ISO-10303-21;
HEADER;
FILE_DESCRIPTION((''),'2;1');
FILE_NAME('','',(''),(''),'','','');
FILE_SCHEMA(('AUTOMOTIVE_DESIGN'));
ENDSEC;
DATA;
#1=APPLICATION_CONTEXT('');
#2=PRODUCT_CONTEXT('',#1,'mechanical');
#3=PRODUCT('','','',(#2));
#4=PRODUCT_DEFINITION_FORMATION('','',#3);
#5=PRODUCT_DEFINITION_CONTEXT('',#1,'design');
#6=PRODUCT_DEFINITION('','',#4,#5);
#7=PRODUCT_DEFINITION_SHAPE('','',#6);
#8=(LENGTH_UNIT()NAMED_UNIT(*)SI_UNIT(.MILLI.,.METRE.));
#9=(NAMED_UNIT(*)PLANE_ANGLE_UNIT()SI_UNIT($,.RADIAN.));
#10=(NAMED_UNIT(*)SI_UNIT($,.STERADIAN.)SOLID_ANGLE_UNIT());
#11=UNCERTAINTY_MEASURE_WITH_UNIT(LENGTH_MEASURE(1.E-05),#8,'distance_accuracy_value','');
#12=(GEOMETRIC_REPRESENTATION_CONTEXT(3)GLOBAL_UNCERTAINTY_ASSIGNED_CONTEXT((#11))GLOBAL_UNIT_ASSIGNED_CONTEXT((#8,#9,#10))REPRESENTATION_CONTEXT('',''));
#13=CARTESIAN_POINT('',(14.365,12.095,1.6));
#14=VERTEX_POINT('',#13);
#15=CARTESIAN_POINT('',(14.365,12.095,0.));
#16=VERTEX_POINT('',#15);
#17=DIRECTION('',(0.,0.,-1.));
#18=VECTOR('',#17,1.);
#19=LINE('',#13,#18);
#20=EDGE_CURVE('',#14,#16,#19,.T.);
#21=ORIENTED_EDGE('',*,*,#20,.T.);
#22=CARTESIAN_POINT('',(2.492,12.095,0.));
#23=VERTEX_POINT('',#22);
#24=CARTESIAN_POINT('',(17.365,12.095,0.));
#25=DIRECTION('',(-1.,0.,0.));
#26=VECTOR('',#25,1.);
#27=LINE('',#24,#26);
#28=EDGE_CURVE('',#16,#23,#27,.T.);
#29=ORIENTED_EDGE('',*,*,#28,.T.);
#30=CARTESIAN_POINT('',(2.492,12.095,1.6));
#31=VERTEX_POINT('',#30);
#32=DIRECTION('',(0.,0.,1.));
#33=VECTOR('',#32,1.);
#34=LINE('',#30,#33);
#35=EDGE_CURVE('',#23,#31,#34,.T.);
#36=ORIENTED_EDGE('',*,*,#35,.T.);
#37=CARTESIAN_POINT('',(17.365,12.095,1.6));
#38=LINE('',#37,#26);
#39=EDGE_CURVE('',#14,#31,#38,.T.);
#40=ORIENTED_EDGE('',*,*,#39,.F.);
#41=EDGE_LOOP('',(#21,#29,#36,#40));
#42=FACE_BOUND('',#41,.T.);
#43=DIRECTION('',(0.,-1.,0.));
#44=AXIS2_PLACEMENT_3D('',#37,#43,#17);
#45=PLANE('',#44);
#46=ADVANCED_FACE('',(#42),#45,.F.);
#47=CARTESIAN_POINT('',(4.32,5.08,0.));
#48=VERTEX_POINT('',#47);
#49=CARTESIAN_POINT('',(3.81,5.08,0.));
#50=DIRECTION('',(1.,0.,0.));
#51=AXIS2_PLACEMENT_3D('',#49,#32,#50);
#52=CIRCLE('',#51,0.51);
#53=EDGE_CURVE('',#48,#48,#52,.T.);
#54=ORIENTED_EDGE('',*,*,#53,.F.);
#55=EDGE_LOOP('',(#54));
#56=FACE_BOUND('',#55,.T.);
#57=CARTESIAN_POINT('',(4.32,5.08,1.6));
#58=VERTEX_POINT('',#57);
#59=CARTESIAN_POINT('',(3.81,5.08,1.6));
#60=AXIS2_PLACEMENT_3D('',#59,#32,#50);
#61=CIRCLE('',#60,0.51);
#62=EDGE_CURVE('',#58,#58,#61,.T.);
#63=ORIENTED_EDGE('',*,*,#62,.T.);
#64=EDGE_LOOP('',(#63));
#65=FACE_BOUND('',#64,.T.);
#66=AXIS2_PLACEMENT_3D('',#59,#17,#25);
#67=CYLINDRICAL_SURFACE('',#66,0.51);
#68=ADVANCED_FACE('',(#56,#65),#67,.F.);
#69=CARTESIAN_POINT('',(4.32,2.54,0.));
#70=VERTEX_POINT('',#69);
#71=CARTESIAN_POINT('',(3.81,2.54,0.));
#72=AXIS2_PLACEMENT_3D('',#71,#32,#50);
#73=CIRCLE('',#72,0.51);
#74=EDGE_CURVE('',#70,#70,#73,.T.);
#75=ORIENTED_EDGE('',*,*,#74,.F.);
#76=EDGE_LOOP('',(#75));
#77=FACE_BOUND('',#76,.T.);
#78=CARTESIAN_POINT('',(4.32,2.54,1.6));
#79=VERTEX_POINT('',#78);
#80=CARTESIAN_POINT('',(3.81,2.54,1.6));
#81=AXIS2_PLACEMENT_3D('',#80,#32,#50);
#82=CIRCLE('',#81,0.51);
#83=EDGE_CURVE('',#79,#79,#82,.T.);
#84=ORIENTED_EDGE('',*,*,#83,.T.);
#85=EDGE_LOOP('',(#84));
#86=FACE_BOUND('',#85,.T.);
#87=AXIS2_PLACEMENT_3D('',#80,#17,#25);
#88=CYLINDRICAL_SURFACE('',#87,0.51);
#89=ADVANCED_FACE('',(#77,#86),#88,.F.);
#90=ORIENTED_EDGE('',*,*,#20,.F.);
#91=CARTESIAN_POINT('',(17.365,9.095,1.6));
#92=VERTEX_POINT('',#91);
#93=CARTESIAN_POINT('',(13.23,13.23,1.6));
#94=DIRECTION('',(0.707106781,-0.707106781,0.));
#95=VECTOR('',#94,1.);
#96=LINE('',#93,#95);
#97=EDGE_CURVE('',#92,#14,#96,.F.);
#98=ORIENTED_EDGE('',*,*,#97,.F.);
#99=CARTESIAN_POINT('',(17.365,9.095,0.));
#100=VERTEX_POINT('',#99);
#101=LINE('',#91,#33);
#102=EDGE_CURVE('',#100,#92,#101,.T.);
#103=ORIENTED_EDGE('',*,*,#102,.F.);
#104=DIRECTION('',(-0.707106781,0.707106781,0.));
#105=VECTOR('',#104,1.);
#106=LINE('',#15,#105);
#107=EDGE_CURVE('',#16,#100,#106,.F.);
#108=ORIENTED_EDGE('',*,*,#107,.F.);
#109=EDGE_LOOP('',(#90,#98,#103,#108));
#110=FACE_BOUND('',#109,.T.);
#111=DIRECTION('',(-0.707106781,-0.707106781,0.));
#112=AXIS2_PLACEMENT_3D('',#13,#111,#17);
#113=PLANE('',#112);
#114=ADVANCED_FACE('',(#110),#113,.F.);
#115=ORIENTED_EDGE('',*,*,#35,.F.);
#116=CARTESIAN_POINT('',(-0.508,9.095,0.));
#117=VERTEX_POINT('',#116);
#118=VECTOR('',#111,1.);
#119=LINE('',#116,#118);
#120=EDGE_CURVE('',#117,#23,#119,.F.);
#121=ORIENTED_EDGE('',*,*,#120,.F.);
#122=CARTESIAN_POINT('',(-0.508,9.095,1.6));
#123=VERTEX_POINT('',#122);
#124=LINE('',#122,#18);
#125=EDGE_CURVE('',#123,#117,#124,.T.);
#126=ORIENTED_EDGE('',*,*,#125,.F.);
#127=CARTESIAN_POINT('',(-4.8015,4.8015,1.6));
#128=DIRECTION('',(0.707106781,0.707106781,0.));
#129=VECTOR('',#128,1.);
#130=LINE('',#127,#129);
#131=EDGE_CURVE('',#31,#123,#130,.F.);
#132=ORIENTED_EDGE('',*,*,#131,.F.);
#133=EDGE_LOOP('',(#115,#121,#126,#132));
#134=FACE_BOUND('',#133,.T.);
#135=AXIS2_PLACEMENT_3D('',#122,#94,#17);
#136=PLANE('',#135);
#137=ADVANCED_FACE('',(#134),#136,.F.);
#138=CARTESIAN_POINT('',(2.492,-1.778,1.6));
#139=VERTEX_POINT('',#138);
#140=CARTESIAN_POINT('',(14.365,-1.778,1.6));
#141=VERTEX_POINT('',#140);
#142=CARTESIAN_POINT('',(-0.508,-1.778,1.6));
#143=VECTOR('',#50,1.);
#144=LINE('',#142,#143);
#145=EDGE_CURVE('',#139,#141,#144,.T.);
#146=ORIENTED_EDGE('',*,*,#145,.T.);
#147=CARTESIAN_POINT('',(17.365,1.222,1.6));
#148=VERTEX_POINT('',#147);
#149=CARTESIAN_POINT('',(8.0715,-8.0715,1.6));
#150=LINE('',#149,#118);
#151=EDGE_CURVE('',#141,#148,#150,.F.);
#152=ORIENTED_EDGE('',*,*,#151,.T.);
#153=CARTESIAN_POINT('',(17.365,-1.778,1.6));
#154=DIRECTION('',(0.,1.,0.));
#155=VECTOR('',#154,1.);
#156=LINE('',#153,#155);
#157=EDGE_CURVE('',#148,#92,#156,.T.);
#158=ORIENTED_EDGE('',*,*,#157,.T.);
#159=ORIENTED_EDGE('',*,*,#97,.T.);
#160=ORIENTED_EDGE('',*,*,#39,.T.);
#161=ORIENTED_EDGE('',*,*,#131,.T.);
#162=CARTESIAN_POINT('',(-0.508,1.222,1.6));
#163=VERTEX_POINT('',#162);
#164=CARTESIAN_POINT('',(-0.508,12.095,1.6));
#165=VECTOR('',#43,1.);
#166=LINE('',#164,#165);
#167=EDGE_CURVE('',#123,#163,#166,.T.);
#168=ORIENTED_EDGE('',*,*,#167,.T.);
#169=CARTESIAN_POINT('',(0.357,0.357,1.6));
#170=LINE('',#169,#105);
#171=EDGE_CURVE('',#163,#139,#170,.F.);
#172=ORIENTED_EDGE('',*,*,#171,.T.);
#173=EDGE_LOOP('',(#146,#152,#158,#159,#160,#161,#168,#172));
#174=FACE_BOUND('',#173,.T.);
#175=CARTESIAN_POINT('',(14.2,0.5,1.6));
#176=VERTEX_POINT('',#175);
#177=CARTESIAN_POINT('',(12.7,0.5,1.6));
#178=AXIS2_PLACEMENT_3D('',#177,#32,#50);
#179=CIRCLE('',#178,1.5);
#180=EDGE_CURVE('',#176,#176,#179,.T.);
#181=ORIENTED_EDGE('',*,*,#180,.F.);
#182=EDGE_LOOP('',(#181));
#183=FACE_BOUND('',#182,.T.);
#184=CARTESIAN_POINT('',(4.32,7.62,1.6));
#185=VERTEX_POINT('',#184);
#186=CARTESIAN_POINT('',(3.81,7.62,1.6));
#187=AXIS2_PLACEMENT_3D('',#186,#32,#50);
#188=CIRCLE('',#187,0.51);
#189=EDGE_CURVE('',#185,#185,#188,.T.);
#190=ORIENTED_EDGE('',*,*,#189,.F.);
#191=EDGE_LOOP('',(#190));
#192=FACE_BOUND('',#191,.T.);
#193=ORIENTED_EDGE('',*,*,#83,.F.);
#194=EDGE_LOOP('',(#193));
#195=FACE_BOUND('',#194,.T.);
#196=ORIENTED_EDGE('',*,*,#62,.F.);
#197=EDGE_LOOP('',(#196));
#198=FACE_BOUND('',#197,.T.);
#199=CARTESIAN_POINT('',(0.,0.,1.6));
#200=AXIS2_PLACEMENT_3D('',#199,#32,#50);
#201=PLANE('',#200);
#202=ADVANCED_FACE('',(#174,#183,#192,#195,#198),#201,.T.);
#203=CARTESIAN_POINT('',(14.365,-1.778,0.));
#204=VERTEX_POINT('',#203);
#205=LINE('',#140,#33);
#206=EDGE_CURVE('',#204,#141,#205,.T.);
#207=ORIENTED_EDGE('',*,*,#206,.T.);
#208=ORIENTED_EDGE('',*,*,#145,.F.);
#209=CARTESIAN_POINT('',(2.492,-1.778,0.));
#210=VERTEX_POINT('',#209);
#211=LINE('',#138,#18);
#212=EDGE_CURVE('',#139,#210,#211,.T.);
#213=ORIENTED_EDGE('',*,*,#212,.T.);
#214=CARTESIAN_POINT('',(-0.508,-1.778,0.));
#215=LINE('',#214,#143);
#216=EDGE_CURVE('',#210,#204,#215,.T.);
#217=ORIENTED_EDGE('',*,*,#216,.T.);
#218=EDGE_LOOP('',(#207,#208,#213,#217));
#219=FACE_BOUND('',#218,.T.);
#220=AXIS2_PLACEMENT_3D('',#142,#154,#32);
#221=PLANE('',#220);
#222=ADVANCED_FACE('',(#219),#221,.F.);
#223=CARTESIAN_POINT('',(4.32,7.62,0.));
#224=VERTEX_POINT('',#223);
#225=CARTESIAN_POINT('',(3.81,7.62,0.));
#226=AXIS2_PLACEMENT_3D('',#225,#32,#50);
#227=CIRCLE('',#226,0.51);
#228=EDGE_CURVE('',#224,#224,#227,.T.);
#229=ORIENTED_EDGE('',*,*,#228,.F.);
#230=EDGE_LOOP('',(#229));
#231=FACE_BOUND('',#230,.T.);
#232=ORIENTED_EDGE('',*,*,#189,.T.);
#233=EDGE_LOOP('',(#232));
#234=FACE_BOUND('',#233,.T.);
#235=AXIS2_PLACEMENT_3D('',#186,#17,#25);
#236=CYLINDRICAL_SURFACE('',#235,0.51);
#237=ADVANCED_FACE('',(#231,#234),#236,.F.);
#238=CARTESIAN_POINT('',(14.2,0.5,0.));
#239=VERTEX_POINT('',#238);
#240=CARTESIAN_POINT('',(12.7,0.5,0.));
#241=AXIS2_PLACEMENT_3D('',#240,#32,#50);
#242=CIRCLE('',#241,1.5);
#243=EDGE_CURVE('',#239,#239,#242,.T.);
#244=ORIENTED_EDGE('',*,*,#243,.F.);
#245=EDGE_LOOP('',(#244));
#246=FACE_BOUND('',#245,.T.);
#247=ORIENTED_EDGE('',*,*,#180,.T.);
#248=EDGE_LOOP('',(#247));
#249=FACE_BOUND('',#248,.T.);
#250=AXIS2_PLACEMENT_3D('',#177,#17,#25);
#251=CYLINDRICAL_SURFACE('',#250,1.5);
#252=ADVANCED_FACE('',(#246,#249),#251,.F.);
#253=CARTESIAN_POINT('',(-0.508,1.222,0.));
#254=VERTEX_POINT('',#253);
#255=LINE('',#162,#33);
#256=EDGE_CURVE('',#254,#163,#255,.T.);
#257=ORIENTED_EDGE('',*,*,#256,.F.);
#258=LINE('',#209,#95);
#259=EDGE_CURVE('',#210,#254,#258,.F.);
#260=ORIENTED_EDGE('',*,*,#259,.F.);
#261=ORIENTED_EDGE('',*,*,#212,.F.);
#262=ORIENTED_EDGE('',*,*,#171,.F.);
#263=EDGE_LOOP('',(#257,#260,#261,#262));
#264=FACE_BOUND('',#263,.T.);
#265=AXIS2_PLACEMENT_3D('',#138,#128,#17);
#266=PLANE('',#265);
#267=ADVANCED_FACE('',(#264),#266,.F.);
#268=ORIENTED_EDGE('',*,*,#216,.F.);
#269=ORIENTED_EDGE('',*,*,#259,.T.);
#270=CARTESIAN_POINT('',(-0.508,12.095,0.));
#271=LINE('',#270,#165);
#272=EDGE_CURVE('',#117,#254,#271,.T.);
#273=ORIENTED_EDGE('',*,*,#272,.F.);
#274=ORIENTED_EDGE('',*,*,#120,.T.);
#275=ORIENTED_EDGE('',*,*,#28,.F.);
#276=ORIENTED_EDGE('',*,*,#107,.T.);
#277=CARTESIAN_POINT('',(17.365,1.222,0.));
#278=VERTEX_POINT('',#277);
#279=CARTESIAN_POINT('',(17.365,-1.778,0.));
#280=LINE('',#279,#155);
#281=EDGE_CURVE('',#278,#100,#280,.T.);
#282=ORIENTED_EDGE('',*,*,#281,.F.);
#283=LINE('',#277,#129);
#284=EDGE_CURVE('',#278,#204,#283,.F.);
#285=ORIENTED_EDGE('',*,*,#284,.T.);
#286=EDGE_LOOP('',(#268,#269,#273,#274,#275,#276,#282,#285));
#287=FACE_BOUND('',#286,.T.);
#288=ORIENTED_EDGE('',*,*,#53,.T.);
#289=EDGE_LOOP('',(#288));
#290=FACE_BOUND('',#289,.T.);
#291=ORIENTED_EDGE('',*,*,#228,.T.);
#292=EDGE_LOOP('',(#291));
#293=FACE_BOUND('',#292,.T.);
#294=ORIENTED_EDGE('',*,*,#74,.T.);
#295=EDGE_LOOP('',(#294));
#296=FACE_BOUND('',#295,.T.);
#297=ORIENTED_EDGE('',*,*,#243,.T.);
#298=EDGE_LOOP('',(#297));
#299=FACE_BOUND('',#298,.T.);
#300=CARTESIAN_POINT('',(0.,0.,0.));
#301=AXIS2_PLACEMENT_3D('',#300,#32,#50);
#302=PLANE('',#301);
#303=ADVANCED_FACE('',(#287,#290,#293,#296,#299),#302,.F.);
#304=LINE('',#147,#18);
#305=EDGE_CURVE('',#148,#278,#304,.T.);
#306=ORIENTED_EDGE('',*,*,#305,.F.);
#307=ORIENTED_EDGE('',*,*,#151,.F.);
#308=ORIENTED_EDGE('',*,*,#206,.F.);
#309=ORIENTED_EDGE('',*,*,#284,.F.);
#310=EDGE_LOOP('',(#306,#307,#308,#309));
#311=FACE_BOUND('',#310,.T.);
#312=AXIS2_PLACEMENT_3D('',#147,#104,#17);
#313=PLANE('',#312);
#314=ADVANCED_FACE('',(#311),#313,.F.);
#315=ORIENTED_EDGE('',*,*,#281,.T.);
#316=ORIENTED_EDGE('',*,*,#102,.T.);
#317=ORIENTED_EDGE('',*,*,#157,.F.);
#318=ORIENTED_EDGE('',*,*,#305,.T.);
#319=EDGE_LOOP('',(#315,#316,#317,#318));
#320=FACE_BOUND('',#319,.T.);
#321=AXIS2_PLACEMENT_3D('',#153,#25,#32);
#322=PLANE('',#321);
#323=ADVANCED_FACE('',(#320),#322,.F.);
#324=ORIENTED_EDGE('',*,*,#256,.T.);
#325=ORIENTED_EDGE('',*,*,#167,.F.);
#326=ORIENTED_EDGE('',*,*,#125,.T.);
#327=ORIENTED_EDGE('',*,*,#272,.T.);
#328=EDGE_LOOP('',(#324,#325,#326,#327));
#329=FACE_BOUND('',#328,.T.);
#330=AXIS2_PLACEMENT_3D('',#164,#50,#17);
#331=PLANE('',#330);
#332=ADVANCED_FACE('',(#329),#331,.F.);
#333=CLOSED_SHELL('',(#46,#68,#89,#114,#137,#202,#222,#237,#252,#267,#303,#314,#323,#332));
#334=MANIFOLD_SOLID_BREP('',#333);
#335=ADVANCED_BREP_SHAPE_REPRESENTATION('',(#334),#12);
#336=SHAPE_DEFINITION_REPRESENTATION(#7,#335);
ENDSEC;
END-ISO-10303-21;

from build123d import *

# Parameters (mm, degrees)
ESQUISSE1_W         = 17.873
ESQUISSE1_H         = 13.873
BOARD_OUTLINE_DEPTH = 1.6
ESQUISSE2_R         = 1.5
NPTH_DEPTH          = 2.6
ESQUISSE3_R         = 0.51
PTH_DEPTH           = 2.6
CHANFREIN1_SIZE     = 3


with BuildPart() as part:
    # Esquisse1 → Board_Outline (new body)
    with BuildSketch(Plane.XY):
        with Locations((8.4285, 5.1585)):
            Rectangle(ESQUISSE1_W, ESQUISSE1_H)
    extrude(amount=BOARD_OUTLINE_DEPTH)

    # Esquisse2 → NPTH (cut, through all)
    with BuildSketch(Plane.XY):
        with Locations((12.7, 0.5)):
            Circle(ESQUISSE2_R)
    extrude(amount=NPTH_DEPTH, mode=Mode.SUBTRACT)

    # Esquisse3 → PTH (cut, through all)
    with BuildSketch(Plane.XY):
        with Locations((3.81, 2.54)):
            Circle(ESQUISSE3_R)
        with Locations((3.81, 5.08)):
            Circle(ESQUISSE3_R)
        with Locations((3.81, 7.62)):
            Circle(ESQUISSE3_R)
    extrude(amount=PTH_DEPTH, mode=Mode.SUBTRACT)

    # Chanfrein1
    chanfrein1_edges = [part.edges().sort_by_distance(p)[0] for p in [
        (-0.508, -1.778, 0.8),
        (-0.508, 12.095, 0.8),
        (17.365, 12.095, 0.8),
        (17.365, -1.778, 0.8),
    ]]
    chamfer(chanfrein1_edges, length=CHANFREIN1_SIZE)


solid = part.part
